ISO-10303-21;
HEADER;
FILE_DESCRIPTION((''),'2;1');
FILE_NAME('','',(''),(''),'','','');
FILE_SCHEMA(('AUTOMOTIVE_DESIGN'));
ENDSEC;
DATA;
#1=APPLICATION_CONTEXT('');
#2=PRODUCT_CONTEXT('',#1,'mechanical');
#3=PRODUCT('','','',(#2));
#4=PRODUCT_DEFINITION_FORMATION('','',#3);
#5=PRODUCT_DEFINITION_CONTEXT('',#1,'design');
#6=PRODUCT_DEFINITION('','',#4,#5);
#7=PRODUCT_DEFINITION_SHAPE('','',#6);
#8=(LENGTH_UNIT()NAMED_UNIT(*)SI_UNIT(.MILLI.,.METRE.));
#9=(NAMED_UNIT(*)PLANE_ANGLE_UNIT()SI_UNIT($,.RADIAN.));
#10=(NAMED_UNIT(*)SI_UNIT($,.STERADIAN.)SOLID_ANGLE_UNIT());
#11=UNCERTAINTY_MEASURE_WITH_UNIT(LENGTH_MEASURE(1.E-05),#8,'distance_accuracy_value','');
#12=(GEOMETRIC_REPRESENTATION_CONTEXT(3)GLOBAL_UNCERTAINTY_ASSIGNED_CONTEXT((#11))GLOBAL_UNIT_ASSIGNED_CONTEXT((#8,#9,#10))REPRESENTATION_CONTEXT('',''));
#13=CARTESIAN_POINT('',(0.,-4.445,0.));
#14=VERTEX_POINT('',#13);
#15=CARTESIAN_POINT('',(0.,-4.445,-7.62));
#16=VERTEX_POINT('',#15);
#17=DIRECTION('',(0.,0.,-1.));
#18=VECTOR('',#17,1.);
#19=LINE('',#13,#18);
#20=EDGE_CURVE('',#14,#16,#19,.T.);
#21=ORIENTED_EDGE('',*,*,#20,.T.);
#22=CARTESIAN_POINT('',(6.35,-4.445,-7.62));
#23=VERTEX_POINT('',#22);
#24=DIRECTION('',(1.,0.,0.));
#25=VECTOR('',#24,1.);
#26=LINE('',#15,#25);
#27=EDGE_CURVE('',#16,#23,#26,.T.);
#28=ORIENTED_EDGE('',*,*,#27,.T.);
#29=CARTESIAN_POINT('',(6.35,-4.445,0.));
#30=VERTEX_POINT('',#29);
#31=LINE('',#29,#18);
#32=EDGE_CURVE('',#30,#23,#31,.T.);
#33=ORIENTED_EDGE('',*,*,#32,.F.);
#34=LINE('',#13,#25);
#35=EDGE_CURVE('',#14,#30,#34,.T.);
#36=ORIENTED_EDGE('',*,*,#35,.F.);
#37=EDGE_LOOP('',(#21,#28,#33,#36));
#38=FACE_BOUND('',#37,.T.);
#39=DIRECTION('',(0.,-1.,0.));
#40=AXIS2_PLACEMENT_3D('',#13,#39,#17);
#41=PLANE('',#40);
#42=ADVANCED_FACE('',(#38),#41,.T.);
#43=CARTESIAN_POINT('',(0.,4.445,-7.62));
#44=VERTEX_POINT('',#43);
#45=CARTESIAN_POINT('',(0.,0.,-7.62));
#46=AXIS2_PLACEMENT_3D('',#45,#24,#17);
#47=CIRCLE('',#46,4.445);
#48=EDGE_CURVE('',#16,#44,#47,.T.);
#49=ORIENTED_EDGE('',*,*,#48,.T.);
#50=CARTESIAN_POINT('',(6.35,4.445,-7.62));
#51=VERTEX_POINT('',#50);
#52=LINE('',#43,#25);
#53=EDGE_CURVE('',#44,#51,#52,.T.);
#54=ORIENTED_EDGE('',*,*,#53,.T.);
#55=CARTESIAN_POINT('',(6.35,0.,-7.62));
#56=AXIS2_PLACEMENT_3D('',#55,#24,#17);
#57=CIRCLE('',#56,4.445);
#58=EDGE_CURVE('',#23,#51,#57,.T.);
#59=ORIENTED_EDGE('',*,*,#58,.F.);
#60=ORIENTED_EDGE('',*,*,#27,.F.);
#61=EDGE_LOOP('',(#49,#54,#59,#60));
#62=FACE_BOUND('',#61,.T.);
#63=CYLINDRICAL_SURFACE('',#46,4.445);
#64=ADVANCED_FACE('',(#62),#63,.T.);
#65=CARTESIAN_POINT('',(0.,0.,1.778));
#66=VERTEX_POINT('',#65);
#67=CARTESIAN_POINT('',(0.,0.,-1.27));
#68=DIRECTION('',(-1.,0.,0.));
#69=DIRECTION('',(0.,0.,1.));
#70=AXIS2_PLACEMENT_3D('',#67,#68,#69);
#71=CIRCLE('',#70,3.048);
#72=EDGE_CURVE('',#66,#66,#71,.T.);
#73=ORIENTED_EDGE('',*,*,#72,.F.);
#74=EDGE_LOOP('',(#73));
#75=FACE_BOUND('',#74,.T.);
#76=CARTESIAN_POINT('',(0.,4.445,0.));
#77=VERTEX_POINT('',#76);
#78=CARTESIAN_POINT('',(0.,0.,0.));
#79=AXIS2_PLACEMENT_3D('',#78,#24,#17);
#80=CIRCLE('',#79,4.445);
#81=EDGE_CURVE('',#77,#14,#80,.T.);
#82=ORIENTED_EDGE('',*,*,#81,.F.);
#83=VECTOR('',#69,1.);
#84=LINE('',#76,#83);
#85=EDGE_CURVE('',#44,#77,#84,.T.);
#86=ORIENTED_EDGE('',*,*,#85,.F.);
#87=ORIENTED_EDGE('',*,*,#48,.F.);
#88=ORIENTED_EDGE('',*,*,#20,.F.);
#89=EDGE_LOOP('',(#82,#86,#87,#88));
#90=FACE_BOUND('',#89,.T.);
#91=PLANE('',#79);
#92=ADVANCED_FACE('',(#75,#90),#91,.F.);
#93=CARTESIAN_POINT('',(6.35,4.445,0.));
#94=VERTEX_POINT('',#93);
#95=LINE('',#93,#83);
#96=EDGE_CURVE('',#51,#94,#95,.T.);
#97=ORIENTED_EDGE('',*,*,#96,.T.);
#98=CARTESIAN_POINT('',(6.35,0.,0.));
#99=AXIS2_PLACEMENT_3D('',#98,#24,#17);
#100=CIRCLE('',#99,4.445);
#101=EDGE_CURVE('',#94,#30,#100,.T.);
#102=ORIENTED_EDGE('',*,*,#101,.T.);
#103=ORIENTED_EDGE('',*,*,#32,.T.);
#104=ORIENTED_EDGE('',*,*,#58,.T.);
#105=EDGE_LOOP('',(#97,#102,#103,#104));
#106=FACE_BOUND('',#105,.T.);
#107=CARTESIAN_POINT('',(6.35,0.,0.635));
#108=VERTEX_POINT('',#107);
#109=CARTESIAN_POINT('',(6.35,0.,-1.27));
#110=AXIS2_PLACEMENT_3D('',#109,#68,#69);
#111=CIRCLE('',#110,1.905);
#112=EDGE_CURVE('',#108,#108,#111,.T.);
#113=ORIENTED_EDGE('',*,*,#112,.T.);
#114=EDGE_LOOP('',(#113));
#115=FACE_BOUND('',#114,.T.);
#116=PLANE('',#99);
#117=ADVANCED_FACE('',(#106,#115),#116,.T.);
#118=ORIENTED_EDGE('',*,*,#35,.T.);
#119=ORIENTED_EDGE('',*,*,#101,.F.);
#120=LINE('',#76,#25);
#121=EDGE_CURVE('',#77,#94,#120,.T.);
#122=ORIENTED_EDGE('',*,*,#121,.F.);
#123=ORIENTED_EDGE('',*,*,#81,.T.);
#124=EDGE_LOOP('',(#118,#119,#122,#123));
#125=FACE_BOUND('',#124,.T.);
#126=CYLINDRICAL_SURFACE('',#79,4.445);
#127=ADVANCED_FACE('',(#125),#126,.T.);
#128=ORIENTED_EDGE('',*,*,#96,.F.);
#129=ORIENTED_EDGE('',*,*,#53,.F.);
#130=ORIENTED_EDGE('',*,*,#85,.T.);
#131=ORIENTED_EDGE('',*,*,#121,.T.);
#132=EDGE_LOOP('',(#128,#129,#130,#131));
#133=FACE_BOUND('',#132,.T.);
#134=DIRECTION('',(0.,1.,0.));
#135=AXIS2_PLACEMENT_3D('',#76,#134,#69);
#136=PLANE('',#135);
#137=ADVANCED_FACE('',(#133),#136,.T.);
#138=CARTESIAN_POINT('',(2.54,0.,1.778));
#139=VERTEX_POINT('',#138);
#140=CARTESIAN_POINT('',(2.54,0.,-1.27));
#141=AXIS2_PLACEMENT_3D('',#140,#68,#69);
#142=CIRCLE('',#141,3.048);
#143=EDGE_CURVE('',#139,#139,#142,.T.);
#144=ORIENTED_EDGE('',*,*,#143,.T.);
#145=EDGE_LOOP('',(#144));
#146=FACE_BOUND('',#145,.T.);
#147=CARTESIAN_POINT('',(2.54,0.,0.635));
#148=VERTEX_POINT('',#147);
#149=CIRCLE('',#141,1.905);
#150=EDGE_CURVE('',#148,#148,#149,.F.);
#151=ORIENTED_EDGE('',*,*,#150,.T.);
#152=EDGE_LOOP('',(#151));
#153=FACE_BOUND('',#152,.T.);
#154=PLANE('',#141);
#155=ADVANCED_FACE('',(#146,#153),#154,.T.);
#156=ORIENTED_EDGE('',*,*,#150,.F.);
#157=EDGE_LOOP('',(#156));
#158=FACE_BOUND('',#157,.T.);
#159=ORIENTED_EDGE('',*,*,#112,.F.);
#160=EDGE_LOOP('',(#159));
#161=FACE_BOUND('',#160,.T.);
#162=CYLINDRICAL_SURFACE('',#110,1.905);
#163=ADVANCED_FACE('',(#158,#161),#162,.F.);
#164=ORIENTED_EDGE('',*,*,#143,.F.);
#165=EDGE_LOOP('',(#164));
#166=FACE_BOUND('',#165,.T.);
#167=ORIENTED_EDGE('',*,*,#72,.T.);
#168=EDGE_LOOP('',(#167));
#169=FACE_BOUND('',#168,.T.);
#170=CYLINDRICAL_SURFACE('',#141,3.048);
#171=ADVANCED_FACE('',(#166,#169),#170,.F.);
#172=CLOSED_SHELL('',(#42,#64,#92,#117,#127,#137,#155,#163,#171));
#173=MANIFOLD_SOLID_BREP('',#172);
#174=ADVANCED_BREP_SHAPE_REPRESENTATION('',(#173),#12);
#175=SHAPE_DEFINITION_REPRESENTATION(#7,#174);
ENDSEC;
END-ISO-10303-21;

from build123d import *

# Parameters (mm, degrees)
SKETCH1_R           = 1.905
BOSS_EXTRUDE1_DEPTH = 6.35
BOSS_EXTRUDE2_START = -6.35
BOSS_EXTRUDE2_DEPTH = 6.35
BOSS_EXTRUDE4_START = -6.35
SKETCH6_R           = 1.905
BOSS_EXTRUDE4_DEPTH = 6.35
SKETCH7_R           = 1.905
CUT_EXTRUDE3_DEPTH  = 15.340319034
SKETCH8_R           = 3.048
CUT_EXTRUDE4_DEPTH  = 2.54


with BuildPart() as part:
    # Sketch1 → Boss-Extrude1 (new body)
    with BuildSketch(Plane.YZ):
        with BuildLine():
            Line((-3.175, 0), (-3.175, -7.62))
            ThreePointArc((-3.175, -7.62), (0, -10.795), (3.175, -7.62))
            Line((3.175, -7.62), (3.175, 0))
            ThreePointArc((3.175, 0), (0, 3.175), (-3.175, 0))
        make_face()
        with Locations(Location((0, 0, 0), (0, 0, 270))):
            Circle(SKETCH1_R, mode=Mode.SUBTRACT)
    extrude(amount=BOSS_EXTRUDE1_DEPTH)

    # Sketch2 → Boss-Extrude2 (add)
    with BuildSketch(Plane.YZ.offset(6.35).offset(BOSS_EXTRUDE2_START)):
        with BuildLine():
            Line((4.445, -7.62), (4.445, 0))
            ThreePointArc((4.445, 0), (0, 4.445), (-4.445, 0))
            Line((-4.445, 0), (-4.445, -7.62))
            ThreePointArc((-4.445, -7.62), (0, -12.065), (4.445, -7.62))
        make_face()
        with BuildLine():
            ThreePointArc((3.175, 0), (0, 3.175), (-3.175, 0))
            Line((-3.175, 0), (-3.175, -7.62))
            ThreePointArc((-3.175, -7.62), (0, -10.795), (3.175, -7.62))
            Line((3.175, -7.62), (3.175, 0))
        make_face(mode=Mode.SUBTRACT)
    extrude(amount=BOSS_EXTRUDE2_DEPTH)

    # Sketch6 → Boss-Extrude4 (add)
    with BuildSketch(Plane.YZ.offset(6.35).offset(BOSS_EXTRUDE4_START)):
        Circle(SKETCH6_R)
    extrude(amount=BOSS_EXTRUDE4_DEPTH)

    # Sketch7 → Cut-Extrude3 (cut, through all)
    with BuildSketch(Plane(origin=(0, 0, 0), x_dir=(0, -1, 0), z_dir=(-1, 0, 0))):
        with Locations(Location((0, -1.27, 0), (0, 0, 90))):
            Circle(SKETCH7_R)
    extrude(amount=-CUT_EXTRUDE3_DEPTH, mode=Mode.SUBTRACT)

    # Sketch8 → Cut-Extrude4 (cut)
    with BuildSketch(Plane(origin=(0, 0, 0), x_dir=(0, -1, 0), z_dir=(-1, 0, 0))):
        with Locations(Location((0, -1.27, 0), (0, 0, 90))):
            Circle(SKETCH8_R)
    extrude(amount=-CUT_EXTRUDE4_DEPTH, mode=Mode.SUBTRACT)


solid = part.part
